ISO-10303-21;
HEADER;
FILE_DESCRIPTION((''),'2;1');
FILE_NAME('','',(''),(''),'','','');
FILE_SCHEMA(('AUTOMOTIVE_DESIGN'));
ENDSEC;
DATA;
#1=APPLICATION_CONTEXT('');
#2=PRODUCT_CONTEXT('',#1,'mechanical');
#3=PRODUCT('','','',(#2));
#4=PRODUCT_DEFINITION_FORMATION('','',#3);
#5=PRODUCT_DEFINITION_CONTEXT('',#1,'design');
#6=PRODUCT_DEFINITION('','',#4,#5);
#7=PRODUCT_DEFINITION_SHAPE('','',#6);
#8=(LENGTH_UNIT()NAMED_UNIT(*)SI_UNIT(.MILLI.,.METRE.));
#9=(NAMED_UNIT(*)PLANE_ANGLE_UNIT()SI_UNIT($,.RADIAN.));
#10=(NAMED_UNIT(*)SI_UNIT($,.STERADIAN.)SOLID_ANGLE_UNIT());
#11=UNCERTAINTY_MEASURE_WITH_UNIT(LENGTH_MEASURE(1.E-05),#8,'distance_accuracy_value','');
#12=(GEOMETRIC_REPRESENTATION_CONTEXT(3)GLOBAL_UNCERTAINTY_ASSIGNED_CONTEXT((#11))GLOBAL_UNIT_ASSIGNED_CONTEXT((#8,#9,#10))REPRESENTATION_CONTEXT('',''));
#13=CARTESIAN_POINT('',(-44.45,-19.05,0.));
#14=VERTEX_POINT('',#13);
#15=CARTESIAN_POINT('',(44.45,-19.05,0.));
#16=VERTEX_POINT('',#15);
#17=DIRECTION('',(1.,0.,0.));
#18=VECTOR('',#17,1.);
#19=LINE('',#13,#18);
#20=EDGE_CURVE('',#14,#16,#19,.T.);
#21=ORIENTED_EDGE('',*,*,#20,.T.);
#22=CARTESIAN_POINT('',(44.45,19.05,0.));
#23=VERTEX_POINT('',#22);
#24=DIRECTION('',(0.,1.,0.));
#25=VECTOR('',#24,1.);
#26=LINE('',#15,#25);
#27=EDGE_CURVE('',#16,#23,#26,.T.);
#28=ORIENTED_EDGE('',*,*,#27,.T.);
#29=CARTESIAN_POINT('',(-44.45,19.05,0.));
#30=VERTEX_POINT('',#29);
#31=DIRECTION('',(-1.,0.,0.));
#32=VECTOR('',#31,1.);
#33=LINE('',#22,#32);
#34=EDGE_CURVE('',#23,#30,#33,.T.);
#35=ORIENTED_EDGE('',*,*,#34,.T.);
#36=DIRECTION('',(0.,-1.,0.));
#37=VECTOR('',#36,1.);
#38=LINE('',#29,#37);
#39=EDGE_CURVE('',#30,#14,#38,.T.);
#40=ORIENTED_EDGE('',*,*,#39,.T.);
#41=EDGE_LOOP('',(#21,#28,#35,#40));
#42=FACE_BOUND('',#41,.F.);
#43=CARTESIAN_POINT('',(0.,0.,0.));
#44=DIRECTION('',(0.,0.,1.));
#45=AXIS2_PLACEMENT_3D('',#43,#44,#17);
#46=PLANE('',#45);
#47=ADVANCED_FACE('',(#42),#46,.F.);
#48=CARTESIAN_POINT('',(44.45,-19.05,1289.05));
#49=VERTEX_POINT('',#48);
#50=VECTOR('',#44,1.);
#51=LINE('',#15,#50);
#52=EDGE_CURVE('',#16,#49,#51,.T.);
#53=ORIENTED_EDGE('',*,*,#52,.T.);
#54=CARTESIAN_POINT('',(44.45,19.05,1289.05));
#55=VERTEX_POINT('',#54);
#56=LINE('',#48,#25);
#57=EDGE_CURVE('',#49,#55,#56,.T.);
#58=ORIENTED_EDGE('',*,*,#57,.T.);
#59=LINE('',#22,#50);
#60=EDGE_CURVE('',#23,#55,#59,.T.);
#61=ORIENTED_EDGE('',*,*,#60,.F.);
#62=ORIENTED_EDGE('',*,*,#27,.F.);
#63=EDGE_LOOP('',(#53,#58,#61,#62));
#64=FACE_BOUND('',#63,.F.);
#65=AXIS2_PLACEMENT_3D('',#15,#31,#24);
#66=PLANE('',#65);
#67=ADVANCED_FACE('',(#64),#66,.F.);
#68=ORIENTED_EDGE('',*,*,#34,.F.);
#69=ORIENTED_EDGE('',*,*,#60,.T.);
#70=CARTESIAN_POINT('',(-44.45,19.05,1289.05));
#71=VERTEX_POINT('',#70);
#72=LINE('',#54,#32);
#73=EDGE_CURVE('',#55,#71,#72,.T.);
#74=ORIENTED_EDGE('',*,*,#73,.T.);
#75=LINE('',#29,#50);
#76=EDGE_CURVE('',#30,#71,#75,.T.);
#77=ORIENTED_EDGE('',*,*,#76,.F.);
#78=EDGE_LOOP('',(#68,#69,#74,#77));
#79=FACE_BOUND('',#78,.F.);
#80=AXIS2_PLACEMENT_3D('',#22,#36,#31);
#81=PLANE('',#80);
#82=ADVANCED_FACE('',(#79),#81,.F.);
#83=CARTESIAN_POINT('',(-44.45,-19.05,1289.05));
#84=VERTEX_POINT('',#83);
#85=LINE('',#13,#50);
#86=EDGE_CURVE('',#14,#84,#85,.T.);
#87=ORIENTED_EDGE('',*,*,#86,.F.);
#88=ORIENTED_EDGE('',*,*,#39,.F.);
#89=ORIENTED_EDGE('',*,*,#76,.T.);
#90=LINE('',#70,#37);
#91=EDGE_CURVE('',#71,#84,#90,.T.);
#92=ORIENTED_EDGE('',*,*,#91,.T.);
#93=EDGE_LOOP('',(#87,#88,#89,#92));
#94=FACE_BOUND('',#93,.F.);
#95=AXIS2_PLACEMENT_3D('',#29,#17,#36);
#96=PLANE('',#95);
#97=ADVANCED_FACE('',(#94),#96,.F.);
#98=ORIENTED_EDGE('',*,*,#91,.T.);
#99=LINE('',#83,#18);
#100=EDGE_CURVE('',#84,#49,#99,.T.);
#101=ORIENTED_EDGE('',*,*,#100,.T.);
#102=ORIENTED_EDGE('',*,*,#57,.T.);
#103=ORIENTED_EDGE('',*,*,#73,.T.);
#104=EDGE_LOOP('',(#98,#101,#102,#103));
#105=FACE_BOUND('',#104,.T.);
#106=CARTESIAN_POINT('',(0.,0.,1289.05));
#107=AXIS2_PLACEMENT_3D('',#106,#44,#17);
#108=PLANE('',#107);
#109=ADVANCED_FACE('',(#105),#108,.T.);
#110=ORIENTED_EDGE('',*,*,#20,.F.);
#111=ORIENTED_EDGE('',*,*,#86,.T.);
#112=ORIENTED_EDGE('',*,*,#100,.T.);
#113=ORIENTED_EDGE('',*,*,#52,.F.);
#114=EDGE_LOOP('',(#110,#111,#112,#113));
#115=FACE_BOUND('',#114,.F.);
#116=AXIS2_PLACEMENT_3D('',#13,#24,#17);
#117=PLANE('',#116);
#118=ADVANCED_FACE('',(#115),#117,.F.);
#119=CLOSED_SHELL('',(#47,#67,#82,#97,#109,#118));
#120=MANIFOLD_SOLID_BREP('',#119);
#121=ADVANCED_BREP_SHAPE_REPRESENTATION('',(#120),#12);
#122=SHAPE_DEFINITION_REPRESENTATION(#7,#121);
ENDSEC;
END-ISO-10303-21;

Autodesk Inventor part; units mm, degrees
ref_plane "YZ Plane" through (0, 0, 0) normal (1, 0, 0) x (0, 1, 0)
ref_plane "XZ Plane" through (0, 0, 0) normal (0, 1, 0) x (-1, 0, 0)
ref_plane "XY Plane" through (0, 0, 0) normal (0, 0, 1) x (1, 0, 0)
sketch "Sketch1" plane through (0, 0, 0) normal (0, 0, 1) x (1, 0, 0)
  line L0 (-44.45, -19.05) -> (44.45, -19.05)
  line L1 (44.45, -19.05) -> (44.45, 19.05)
  line L2 (44.45, 19.05) -> (-44.45, 19.05)
  line L3 (-44.45, 19.05) -> (-44.45, -19.05)
  line L4 (-44.45, -19.05) -> (44.45, 19.05) construction
  line L5 (44.45, -19.05) -> (-44.45, 19.05) construction
  point P0 (0, 0)
  dimension "d0" = 88.9
  dimension "d1" = 38.1
extrude "Extrusion1" add sketch "Sketch1" along normal blind 1289.05
properties part number "Lumbwer 2x4x50_75" material "Wood (Birch)"
